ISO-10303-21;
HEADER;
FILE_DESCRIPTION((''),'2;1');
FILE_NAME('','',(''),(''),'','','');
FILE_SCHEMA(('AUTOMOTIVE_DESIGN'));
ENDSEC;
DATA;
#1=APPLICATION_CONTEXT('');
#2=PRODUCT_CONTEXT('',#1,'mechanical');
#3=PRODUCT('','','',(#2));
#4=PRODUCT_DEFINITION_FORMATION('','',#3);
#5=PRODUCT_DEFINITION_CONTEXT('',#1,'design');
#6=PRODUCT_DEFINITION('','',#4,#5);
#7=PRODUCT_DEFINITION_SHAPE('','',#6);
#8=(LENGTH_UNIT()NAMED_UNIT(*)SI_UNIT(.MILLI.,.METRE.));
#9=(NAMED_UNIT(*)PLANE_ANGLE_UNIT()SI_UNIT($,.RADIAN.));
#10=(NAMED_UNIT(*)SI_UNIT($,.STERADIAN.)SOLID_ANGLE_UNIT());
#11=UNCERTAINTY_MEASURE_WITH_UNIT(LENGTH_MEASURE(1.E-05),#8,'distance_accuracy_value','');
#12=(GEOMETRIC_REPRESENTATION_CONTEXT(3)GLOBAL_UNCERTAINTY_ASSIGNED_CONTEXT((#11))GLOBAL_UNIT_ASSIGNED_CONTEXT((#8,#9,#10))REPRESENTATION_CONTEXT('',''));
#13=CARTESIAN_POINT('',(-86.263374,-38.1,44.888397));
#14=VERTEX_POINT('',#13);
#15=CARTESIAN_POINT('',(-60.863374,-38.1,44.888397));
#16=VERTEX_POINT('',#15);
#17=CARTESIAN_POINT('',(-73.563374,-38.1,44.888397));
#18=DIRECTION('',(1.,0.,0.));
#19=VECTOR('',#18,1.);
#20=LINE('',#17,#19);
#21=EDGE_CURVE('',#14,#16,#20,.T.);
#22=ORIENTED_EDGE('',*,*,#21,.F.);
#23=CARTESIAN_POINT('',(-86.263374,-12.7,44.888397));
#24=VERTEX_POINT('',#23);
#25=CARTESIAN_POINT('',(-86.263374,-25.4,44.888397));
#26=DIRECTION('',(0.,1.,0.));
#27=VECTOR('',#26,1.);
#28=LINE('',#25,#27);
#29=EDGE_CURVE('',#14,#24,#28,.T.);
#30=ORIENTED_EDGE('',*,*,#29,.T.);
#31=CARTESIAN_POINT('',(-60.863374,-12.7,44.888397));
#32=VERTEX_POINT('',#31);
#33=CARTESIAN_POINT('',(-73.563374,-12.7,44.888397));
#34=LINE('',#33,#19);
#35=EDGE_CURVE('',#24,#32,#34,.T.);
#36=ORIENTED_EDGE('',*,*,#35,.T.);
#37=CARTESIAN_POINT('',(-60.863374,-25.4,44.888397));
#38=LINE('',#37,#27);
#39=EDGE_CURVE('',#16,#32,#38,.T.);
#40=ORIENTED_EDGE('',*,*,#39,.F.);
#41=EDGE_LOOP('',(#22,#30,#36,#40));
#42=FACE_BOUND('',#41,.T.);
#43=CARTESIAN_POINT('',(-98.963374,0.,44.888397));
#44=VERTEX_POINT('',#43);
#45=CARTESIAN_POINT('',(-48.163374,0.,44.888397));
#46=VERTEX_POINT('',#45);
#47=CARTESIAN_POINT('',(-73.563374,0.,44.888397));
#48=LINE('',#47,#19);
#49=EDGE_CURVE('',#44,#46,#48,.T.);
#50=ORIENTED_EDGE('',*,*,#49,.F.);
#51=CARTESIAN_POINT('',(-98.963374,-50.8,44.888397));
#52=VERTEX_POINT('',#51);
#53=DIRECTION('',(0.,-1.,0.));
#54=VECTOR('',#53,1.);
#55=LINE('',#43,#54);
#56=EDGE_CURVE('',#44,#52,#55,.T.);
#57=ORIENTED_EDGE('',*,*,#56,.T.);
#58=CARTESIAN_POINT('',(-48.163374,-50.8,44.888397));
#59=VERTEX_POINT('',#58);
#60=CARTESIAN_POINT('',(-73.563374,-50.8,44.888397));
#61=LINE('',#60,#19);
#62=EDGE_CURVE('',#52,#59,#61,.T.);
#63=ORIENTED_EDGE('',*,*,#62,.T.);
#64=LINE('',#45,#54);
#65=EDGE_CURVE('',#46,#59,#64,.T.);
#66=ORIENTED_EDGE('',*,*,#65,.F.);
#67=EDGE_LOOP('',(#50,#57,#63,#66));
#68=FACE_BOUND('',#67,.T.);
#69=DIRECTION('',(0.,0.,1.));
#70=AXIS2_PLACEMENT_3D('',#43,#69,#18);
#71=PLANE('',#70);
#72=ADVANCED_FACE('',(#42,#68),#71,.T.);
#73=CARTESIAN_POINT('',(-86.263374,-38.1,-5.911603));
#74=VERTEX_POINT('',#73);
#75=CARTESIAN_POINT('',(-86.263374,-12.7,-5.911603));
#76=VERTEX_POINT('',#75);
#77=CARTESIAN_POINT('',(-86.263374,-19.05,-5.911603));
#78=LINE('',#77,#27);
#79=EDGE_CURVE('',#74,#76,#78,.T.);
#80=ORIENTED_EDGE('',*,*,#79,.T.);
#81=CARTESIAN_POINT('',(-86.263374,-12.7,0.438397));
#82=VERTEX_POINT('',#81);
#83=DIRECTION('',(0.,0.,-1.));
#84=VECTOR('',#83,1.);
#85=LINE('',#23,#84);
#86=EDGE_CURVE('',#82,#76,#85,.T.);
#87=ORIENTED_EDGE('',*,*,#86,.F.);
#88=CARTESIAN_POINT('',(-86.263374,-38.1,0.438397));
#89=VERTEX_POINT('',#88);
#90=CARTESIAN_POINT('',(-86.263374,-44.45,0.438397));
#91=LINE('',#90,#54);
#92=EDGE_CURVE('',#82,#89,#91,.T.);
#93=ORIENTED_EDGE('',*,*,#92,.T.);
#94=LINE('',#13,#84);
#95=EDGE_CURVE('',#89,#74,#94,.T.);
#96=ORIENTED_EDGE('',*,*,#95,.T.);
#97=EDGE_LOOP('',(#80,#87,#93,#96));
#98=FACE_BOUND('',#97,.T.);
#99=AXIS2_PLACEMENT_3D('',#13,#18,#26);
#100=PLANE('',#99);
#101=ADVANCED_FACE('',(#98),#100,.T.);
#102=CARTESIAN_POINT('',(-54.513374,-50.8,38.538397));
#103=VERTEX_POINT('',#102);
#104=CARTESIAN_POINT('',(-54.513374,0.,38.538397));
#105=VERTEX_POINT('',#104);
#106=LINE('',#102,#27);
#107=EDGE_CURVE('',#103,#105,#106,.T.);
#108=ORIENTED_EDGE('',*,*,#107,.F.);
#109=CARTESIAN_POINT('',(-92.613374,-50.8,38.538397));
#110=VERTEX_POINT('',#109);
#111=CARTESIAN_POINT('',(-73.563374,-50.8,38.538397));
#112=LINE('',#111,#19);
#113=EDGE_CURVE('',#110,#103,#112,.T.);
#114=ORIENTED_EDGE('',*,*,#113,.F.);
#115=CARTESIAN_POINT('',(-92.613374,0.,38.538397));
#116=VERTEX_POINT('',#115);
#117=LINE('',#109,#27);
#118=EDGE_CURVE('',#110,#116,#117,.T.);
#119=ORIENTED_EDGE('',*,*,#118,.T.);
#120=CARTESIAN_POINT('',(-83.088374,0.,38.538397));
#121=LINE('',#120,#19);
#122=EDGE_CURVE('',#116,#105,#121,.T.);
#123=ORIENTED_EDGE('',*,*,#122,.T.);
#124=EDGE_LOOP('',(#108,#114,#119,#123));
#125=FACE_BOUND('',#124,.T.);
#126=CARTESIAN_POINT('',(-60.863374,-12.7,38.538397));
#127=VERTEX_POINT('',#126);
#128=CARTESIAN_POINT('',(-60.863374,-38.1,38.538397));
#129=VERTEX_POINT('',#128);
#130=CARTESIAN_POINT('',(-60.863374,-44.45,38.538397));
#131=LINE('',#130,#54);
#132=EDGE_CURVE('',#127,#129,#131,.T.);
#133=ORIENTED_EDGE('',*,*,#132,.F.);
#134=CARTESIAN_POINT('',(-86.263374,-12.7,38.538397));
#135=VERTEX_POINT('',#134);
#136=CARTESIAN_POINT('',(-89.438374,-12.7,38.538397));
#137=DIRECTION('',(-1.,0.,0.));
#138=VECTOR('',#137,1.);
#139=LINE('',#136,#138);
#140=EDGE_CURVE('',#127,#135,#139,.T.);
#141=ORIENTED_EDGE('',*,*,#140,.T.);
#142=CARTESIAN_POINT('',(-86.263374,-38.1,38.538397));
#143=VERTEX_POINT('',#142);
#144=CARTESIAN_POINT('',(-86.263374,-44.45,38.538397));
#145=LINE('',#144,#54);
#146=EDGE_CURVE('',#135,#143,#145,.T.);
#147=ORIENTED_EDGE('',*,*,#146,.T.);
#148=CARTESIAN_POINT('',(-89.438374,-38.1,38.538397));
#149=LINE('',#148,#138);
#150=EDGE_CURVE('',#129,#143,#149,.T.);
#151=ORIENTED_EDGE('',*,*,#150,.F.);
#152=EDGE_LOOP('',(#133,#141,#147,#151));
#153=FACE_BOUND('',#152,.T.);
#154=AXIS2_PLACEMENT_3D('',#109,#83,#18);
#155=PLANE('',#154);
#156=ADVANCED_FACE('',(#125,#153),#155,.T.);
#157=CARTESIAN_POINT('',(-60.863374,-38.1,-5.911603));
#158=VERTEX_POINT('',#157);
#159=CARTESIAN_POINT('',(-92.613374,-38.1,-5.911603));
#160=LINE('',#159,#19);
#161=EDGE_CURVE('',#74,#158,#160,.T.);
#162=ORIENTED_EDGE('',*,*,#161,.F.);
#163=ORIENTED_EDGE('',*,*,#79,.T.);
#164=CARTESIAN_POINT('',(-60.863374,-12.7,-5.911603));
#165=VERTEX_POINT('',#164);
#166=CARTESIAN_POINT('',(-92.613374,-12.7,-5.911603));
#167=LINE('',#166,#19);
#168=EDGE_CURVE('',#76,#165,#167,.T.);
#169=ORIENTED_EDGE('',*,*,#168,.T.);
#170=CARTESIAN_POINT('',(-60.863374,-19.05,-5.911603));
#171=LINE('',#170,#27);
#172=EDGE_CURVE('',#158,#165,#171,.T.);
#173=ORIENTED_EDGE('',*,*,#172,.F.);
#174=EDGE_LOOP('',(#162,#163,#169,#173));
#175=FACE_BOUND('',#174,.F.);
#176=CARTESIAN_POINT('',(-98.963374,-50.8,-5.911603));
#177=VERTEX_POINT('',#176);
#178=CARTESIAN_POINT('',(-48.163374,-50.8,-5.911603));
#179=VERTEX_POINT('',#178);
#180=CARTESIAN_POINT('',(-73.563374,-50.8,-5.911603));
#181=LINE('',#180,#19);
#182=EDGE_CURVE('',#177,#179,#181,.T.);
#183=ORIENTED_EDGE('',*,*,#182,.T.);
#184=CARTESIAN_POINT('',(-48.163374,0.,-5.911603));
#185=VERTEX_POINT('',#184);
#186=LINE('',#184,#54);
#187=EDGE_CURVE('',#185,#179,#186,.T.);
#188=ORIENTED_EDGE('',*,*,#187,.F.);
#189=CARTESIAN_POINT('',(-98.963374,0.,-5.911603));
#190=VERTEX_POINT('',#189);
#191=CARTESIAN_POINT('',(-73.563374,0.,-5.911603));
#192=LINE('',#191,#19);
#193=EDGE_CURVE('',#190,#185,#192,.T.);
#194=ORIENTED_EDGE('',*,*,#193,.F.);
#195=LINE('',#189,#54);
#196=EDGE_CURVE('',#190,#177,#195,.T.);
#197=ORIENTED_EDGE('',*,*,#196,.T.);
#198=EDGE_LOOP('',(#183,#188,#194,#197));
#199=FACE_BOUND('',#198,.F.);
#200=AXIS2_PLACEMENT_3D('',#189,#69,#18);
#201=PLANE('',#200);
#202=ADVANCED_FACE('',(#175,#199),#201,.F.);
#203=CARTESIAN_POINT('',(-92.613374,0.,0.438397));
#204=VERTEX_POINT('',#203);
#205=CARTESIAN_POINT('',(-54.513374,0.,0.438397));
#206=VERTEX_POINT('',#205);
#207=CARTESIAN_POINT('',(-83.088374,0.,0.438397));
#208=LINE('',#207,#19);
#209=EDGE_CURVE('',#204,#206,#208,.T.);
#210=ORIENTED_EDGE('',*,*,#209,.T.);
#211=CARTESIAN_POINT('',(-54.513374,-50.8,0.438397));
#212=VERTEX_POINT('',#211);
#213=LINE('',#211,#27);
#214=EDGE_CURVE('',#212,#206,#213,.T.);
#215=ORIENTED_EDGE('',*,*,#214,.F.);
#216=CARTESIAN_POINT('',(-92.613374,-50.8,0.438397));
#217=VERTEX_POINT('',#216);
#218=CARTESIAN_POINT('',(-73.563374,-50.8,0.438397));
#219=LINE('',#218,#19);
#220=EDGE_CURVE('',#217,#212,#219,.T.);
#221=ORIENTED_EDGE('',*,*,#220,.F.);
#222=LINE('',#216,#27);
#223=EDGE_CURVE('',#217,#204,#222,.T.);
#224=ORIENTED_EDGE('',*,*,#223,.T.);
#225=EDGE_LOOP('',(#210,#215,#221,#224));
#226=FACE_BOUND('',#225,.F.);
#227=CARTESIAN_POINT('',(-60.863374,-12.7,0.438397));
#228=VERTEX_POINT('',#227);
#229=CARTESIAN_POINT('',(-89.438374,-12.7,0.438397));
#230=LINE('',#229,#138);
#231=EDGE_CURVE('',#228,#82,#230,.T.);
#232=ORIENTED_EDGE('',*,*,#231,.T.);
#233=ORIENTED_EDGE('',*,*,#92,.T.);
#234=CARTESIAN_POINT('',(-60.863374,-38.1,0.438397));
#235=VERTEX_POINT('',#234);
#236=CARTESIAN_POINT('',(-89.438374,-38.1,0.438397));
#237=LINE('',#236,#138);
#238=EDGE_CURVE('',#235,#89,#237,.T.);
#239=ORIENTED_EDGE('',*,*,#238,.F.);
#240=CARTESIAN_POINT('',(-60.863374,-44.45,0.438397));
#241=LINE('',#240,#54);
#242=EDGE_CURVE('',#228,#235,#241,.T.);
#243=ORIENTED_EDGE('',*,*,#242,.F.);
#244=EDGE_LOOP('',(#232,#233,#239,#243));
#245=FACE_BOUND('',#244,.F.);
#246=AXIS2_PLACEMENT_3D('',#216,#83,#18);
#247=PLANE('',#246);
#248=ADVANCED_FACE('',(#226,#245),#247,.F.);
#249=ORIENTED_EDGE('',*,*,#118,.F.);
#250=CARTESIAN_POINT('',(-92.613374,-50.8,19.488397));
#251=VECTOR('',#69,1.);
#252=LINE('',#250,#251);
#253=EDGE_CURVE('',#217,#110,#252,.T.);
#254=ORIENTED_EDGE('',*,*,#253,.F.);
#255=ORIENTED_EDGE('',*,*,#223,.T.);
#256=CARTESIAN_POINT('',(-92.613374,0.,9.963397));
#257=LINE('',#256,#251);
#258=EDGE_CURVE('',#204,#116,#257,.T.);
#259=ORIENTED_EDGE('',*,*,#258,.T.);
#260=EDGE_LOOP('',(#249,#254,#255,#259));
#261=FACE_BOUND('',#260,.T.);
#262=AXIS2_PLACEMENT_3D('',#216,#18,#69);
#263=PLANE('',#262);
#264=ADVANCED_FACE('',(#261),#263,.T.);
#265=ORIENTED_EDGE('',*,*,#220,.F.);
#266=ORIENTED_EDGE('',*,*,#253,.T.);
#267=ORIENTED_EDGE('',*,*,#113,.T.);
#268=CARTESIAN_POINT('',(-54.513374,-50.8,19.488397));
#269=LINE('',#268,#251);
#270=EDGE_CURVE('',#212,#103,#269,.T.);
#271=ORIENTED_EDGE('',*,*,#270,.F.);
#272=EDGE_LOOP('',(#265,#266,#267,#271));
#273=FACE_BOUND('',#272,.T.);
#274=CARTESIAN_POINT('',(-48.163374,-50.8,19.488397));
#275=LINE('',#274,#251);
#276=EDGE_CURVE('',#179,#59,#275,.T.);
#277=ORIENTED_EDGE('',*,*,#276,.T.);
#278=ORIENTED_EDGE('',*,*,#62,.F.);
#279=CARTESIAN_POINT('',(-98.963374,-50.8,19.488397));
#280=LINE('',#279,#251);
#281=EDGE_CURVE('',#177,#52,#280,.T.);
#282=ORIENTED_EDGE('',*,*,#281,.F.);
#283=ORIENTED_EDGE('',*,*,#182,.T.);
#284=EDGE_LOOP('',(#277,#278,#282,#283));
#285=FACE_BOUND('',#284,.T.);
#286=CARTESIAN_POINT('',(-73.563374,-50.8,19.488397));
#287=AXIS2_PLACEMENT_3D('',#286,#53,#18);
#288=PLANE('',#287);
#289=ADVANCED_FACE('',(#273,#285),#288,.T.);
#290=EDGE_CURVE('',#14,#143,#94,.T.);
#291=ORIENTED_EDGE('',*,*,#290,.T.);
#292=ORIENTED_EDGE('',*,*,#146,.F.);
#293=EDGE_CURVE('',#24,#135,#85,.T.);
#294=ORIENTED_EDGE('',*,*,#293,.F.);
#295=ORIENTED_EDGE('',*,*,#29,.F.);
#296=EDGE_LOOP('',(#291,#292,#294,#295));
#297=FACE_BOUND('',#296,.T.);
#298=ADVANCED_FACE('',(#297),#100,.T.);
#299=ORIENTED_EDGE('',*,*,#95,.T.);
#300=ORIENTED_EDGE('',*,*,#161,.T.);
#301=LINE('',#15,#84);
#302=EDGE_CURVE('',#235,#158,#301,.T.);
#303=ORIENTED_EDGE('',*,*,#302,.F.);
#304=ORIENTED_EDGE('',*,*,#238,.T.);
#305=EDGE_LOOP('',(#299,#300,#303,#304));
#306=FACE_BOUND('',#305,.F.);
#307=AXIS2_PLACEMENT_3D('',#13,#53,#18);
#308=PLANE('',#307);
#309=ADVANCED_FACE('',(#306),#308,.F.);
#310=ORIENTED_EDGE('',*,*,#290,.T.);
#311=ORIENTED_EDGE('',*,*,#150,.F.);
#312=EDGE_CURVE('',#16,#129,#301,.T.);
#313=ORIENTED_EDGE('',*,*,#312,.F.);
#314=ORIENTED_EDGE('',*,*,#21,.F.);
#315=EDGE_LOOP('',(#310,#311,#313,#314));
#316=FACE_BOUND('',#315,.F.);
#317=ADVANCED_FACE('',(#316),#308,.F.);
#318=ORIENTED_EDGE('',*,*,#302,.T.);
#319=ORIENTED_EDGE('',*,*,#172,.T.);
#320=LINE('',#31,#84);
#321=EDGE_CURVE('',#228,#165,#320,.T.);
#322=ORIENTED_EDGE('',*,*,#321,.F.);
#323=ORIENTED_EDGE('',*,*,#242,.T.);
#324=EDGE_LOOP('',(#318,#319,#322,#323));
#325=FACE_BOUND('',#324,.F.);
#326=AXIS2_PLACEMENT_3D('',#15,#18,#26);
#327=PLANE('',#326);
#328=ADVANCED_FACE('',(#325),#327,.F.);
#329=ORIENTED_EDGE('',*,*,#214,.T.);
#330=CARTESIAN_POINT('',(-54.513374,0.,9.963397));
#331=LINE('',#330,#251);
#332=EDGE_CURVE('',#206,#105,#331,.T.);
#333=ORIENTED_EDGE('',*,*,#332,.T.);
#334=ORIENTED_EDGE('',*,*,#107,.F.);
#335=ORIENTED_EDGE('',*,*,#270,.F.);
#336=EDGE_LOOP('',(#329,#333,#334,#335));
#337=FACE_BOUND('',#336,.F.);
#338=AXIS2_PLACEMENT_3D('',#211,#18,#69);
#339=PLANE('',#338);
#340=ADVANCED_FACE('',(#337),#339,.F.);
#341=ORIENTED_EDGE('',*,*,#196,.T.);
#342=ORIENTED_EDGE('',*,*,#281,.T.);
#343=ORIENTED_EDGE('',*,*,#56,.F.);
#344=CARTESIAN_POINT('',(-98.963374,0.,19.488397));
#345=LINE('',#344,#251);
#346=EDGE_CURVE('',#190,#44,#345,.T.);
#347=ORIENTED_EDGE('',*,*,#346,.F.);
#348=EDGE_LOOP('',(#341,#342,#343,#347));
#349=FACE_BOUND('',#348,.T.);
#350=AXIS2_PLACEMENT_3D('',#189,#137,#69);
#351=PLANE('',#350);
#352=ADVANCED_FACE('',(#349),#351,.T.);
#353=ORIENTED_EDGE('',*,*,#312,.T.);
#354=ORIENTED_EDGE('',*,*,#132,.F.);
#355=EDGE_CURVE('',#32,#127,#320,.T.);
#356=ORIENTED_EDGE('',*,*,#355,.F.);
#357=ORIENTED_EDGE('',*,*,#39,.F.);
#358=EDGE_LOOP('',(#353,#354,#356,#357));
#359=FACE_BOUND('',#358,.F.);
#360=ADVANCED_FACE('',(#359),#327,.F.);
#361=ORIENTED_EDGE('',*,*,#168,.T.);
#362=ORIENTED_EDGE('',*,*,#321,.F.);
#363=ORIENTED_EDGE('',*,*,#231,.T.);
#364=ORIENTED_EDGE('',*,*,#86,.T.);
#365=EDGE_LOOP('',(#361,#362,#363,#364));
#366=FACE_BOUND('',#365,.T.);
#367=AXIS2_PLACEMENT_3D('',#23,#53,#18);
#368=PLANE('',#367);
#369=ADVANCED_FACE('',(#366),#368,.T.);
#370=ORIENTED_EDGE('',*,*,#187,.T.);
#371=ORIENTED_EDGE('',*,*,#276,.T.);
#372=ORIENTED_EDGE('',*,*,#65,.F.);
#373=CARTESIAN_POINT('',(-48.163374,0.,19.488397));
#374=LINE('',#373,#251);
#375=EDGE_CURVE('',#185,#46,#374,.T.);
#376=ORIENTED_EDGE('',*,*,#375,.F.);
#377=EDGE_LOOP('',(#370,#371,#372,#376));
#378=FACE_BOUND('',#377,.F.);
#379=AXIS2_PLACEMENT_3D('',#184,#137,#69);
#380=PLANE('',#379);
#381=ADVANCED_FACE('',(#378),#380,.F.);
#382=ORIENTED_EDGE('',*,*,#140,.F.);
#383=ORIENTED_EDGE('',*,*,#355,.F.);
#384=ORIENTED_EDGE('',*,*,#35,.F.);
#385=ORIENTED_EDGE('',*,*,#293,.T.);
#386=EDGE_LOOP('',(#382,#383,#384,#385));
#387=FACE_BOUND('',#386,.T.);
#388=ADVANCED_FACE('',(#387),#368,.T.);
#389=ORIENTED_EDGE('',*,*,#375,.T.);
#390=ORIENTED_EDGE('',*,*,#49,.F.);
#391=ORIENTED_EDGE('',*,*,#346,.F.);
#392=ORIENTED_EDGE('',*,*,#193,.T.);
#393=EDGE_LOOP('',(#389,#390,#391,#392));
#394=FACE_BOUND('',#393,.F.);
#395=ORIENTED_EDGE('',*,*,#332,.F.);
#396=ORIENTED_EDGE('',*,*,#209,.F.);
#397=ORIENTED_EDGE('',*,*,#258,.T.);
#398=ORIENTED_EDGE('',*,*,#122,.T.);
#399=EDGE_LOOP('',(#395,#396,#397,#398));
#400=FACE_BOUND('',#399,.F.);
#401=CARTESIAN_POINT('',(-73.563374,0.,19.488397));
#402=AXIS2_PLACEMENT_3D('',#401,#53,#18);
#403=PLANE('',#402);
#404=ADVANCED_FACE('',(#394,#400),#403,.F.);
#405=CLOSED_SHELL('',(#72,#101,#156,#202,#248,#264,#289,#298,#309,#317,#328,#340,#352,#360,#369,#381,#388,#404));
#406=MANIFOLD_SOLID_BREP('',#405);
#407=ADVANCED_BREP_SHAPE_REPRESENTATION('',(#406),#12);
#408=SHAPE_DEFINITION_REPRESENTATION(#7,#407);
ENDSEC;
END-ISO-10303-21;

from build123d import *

# Parameters (mm, degrees)
F0_W     = 50.8
F0_H     = 50.8
F1_DEPTH = 50.8
F2_W     = 38.1
F2_H     = 38.1
F3_DEPTH = 50.801
F4_W     = 25.4
F4_H     = 25.4
F5_DEPTH = 50.801


with BuildPart() as f1:
    # F0 (on Front) → F1 (new body)
    with BuildSketch(Plane.XZ):
        with Locations((-73.563374, 19.488397)):
            Rectangle(F0_W, F0_H)
    extrude(amount=F1_DEPTH)

    # F2 (on face) → F3 (cut, through all)
    with BuildSketch(Plane.XZ.offset(50.8)):
        with Locations((-73.563374, 19.488397)):
            Rectangle(F2_W, F2_H)
    extrude(amount=-F3_DEPTH, mode=Mode.SUBTRACT)

    # F4 (on face) → F5 (cut, through all)
    with BuildSketch(Plane.XY.offset(44.888397)):
        with Locations((-73.563374, -25.4)):
            Rectangle(F4_W, F4_H)
    extrude(amount=-F5_DEPTH, mode=Mode.SUBTRACT)


solid = f1.part
